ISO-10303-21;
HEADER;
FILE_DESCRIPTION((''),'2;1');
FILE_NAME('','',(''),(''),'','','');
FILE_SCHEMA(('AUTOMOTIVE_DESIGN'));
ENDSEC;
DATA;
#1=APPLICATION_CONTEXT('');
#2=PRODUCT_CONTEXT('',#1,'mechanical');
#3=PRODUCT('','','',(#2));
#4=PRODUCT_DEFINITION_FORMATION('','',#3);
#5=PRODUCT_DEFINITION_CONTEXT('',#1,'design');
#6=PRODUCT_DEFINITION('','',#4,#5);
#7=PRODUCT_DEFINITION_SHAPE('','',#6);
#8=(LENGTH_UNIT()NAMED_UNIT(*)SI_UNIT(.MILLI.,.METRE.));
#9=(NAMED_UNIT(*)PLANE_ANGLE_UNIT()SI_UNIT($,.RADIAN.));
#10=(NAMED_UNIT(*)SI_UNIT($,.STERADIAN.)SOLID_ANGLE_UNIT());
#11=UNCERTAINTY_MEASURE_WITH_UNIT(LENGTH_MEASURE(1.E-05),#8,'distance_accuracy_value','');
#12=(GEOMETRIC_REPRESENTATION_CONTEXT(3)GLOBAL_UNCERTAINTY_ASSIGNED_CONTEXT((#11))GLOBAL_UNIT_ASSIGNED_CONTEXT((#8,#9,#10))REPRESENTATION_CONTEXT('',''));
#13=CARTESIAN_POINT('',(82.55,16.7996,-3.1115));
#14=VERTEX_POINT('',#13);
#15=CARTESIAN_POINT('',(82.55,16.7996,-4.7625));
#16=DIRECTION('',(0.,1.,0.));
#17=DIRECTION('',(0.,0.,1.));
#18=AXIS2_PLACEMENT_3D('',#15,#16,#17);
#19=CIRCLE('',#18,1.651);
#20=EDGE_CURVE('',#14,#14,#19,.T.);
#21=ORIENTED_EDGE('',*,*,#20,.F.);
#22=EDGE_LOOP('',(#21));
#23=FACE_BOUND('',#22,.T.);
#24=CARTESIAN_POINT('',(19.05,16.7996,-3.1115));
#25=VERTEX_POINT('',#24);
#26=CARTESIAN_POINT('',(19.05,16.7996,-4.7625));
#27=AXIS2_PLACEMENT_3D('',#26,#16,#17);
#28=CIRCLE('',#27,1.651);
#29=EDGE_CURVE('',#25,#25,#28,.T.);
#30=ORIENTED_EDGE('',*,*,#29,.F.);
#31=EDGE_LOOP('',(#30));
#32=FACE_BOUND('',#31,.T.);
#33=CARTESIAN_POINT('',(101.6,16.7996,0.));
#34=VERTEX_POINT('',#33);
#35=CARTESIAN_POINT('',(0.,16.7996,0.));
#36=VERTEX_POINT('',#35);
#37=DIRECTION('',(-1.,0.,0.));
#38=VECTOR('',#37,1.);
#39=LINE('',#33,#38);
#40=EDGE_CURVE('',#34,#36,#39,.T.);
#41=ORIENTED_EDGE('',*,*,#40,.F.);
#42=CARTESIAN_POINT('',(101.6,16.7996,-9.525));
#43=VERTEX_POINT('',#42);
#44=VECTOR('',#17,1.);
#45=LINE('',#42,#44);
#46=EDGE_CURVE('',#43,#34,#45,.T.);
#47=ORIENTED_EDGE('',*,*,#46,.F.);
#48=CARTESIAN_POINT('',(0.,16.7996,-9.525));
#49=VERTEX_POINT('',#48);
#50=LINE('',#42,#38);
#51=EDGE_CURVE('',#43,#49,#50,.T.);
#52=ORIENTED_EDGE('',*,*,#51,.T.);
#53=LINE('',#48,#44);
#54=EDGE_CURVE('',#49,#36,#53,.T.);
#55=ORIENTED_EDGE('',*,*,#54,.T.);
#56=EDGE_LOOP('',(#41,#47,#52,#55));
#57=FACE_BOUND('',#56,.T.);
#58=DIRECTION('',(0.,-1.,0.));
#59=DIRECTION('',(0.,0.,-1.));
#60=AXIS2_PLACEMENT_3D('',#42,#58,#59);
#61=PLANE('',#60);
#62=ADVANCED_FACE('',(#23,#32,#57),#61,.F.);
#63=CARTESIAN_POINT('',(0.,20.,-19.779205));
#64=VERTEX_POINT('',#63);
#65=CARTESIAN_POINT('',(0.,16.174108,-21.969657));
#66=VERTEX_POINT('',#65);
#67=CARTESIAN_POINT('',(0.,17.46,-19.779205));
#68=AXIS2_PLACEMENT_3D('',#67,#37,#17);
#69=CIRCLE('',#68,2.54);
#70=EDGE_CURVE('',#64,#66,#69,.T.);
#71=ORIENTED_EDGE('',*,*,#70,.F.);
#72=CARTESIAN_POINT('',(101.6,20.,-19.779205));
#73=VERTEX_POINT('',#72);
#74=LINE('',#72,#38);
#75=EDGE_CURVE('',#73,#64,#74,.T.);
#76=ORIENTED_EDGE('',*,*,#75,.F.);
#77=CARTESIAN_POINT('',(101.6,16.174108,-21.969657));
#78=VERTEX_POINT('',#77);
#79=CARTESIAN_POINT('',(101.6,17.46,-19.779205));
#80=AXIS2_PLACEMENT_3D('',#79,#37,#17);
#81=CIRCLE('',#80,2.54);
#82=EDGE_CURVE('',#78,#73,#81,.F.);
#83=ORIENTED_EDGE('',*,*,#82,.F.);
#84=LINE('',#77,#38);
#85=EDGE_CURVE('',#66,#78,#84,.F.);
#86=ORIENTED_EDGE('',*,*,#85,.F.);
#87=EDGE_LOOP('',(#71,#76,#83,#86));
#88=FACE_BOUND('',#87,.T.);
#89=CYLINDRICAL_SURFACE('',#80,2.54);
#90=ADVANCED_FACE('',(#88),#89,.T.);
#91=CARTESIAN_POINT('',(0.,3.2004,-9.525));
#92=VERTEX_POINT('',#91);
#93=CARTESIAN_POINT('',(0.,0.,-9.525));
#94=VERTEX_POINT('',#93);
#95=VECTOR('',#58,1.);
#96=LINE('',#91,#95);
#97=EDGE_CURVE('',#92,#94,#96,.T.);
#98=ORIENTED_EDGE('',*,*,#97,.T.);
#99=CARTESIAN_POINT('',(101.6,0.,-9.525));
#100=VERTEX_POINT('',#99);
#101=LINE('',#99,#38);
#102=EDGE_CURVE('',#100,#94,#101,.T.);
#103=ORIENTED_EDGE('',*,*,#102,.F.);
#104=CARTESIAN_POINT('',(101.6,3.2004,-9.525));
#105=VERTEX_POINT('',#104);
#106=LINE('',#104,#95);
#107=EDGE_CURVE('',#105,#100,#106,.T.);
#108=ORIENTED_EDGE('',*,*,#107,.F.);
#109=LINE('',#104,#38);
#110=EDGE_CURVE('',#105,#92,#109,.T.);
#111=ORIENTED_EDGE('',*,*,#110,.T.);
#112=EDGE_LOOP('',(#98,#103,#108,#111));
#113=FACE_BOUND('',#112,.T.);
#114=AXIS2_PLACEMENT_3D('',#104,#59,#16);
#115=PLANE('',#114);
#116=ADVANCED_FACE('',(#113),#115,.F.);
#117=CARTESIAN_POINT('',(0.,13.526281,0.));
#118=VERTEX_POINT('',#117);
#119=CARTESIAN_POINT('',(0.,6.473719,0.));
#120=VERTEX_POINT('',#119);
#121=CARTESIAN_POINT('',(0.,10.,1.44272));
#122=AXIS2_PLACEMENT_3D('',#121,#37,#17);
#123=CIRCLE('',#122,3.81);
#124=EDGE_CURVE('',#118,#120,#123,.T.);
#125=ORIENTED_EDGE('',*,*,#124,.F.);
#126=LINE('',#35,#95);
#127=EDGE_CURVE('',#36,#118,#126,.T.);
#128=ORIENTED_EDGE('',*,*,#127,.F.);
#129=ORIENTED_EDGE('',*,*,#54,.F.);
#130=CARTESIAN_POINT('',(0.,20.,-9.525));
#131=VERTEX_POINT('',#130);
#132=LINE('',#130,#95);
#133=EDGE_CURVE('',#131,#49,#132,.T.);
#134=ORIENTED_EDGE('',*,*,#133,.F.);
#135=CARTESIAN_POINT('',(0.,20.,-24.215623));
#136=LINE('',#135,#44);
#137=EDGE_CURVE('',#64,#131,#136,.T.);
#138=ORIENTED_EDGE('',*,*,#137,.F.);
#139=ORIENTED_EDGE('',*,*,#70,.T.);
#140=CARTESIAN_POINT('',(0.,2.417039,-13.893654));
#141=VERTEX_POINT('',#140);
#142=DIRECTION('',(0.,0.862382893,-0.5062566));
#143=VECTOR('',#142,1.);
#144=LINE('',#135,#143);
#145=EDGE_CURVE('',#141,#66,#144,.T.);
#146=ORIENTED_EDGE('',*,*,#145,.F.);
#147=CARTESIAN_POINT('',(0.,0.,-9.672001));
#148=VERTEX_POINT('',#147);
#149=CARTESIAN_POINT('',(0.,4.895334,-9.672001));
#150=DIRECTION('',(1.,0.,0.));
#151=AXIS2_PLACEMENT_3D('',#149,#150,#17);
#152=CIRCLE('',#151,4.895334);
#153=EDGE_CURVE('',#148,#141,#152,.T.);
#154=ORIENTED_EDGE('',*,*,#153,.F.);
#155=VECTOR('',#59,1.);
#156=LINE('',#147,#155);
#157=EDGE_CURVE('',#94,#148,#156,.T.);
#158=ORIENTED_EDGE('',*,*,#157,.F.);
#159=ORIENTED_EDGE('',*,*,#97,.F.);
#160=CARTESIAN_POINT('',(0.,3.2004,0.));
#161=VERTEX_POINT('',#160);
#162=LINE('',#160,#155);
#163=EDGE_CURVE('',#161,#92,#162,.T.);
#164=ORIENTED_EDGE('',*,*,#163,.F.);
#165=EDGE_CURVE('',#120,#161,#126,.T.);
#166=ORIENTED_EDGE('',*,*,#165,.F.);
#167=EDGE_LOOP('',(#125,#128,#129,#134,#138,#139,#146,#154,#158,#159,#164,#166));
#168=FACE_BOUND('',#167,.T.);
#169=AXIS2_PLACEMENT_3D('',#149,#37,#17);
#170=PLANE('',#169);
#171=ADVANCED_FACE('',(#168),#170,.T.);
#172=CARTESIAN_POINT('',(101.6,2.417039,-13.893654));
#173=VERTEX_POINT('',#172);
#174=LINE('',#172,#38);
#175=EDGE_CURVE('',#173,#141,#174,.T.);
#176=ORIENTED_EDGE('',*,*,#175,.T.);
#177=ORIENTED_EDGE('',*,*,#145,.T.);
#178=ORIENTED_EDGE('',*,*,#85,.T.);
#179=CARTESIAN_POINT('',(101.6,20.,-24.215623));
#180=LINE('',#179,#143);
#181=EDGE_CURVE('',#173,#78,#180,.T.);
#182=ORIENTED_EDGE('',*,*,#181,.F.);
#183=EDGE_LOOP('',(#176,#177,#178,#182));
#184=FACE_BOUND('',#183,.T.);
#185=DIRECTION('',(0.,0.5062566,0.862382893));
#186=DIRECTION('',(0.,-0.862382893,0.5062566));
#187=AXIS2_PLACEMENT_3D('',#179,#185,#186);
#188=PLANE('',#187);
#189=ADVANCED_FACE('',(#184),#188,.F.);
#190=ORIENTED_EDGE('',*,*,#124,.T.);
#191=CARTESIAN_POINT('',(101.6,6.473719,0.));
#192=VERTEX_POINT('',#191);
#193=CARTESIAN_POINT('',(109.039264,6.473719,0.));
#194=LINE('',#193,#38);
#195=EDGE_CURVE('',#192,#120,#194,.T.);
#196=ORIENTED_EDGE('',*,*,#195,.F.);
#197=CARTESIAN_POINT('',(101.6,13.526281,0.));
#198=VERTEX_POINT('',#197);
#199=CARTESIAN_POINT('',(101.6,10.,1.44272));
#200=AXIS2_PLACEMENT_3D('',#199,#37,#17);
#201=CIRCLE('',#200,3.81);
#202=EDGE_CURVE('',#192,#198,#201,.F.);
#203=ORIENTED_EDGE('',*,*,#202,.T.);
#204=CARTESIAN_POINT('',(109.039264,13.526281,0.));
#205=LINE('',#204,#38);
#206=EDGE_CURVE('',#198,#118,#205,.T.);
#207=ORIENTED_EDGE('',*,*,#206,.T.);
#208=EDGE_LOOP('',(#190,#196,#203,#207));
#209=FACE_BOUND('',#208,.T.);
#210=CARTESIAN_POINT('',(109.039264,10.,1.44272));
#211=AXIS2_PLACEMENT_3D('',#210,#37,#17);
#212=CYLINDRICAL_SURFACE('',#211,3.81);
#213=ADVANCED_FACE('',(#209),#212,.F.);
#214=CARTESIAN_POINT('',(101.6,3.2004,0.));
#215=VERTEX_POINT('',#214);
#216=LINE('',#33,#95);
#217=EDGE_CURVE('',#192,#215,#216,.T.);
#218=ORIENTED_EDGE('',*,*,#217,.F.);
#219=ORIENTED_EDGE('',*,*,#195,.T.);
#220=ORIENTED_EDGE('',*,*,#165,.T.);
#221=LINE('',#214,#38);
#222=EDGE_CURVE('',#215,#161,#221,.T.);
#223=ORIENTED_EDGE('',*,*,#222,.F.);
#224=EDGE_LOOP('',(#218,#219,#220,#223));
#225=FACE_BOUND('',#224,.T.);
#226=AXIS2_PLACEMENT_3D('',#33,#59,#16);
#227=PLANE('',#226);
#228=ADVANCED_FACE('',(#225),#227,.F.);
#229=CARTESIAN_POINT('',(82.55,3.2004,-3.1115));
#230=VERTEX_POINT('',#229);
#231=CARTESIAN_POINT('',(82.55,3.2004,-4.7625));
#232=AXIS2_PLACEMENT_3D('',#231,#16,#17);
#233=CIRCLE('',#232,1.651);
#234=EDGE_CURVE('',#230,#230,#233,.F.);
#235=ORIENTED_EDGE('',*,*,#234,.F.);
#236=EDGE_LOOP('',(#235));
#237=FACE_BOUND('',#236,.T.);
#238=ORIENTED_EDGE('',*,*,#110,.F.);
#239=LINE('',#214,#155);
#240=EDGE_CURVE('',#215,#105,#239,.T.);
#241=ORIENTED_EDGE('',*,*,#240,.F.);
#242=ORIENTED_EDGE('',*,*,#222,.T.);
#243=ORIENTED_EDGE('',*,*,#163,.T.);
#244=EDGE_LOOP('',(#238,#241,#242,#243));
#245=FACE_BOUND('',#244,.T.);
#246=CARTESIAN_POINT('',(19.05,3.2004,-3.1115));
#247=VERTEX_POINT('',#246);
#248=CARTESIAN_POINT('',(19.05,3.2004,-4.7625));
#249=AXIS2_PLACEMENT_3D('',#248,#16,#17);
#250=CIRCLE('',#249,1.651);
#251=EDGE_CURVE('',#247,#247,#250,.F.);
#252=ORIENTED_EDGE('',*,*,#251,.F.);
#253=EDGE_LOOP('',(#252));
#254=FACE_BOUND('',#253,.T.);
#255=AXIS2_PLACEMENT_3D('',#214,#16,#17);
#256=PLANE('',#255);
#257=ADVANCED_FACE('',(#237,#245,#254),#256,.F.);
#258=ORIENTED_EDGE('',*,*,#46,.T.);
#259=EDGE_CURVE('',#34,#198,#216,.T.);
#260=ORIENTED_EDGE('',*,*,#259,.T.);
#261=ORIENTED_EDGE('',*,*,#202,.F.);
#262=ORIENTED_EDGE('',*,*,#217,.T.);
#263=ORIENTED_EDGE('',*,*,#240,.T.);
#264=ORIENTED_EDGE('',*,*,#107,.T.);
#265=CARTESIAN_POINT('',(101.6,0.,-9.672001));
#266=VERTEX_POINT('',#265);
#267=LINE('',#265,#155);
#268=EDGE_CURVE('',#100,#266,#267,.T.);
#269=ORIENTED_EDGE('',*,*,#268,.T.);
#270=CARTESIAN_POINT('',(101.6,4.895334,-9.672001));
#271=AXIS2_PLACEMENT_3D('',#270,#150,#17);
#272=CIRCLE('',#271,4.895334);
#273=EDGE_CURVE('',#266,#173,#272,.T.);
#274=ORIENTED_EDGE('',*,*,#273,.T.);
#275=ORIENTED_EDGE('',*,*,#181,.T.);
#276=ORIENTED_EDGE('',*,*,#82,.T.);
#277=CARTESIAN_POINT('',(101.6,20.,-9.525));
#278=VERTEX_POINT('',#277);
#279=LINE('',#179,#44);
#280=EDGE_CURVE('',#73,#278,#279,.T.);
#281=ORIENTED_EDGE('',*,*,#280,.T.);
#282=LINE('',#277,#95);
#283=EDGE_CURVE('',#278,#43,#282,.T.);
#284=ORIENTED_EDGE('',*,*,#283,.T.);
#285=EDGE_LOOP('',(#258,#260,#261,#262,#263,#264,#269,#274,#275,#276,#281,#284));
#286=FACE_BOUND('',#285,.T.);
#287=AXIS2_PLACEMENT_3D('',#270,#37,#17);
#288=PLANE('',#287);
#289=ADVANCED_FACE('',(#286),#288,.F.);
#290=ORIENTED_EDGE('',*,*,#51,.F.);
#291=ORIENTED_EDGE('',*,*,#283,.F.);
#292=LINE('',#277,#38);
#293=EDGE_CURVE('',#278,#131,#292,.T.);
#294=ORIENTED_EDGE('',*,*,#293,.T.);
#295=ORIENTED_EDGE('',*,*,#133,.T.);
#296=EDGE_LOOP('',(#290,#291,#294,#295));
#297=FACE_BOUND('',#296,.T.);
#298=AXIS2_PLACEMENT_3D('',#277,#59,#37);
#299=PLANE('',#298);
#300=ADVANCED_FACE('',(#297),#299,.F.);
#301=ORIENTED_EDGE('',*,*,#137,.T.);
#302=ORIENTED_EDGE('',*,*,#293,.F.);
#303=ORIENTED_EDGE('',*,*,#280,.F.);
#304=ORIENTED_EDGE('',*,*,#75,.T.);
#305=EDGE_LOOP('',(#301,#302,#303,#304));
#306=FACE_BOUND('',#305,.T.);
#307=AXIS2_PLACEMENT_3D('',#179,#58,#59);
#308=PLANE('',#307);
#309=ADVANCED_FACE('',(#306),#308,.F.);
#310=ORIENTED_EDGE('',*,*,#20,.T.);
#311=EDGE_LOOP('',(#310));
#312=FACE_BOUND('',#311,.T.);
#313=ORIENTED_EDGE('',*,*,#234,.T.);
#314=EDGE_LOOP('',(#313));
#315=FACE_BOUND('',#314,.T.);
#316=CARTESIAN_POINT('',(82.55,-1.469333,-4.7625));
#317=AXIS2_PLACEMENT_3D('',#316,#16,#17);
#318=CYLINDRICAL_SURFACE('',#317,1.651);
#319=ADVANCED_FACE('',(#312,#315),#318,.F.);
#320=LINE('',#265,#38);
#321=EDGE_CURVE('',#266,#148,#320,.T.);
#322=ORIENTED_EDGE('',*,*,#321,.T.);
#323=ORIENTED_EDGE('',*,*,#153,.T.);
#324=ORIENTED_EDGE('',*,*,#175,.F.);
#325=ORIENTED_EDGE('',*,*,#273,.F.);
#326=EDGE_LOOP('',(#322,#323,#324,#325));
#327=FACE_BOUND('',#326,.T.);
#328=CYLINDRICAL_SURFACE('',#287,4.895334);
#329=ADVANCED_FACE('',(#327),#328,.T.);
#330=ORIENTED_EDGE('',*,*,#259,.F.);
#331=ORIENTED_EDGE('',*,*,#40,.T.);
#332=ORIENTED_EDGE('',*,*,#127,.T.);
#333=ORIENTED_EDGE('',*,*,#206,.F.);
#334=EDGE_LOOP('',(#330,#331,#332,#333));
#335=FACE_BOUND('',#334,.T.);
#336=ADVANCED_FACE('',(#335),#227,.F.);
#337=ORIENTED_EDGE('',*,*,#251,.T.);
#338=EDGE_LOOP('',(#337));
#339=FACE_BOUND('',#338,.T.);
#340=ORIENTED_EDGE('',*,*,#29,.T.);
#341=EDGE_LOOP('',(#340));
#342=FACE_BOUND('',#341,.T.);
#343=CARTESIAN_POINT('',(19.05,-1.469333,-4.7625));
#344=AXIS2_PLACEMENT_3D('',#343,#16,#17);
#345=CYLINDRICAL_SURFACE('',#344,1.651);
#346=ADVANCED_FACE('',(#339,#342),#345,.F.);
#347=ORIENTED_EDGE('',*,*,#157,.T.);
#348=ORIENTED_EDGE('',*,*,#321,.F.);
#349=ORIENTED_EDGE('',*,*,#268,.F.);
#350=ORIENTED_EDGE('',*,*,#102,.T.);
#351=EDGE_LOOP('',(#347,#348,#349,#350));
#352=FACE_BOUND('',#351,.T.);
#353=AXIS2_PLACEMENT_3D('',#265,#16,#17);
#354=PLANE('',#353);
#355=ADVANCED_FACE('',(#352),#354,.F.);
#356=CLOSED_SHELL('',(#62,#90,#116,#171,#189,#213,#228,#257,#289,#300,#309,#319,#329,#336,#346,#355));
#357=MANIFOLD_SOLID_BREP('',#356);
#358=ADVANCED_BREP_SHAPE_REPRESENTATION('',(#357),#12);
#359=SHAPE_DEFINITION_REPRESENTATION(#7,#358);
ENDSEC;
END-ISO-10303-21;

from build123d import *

# Parameters (mm, degrees)
BOSS_EXTRUDE1_DEPTH = 101.6
CUT_EXTRUDE2_DEPTH  = 101.6
SKETCH5_R           = 1.651
CUT_EXTRUDE3_DEPTH  = 13.5992
FILLET1_R           = 2.54


with BuildPart() as part:
    # Sketch1 → Boss-Extrude1 (new body)
    with BuildSketch(Plane(origin=(0, 0, 0), x_dir=(0, 0, -1), z_dir=(1, 0, 0))):
        with BuildLine():
            Line((0, 16.7996), (0, 3.2004))
            Line((0, 3.2004), (9.525, 3.2004))
            Line((9.525, 3.2004), (9.525, 0))
            Line((9.525, 0), (9.672001208, 0))
            ThreePointArc((9.672001208, 0), (12.1043061, 0.647018058), (13.89365381, 2.417039025))
            Line((13.89365381, 2.417039025), (24.215623453, 20))
            Line((24.215623453, 20), (9.525, 20))
            Line((9.525, 20), (9.525, 16.7996))
            Line((9.525, 16.7996), (0, 16.7996))
        make_face()
    extrude(amount=BOSS_EXTRUDE1_DEPTH)

    # Sketch4 → Cut-Extrude2 (cut)
    with BuildSketch(Plane.ZY):
        with BuildLine():
            Line((0, 13.526281186), (0, 6.473718814))
            ThreePointArc((0, 6.473718814), (-2.36728, 10), (0, 13.526281186))
        make_face()
    extrude(amount=-CUT_EXTRUDE2_DEPTH, mode=Mode.SUBTRACT)

    # Sketch5 → Cut-Extrude3 (cut)
    with BuildSketch(Plane(origin=(0, 16.7996, 0), x_dir=(1, 0, 0), z_dir=(0, 1, 0))):
        with Locations((19.05, 4.7625)):
            Circle(SKETCH5_R)
        with Locations((82.55, 4.7625)):
            Circle(SKETCH5_R)
    extrude(amount=-CUT_EXTRUDE3_DEPTH, mode=Mode.SUBTRACT)

    # Fillet1
    fillet1_edges = [part.edges().sort_by_distance(p)[0] for p in [
        (50.8, 20, -24.215623453),
    ]]
    fillet(fillet1_edges, radius=FILLET1_R)


solid = part.part
